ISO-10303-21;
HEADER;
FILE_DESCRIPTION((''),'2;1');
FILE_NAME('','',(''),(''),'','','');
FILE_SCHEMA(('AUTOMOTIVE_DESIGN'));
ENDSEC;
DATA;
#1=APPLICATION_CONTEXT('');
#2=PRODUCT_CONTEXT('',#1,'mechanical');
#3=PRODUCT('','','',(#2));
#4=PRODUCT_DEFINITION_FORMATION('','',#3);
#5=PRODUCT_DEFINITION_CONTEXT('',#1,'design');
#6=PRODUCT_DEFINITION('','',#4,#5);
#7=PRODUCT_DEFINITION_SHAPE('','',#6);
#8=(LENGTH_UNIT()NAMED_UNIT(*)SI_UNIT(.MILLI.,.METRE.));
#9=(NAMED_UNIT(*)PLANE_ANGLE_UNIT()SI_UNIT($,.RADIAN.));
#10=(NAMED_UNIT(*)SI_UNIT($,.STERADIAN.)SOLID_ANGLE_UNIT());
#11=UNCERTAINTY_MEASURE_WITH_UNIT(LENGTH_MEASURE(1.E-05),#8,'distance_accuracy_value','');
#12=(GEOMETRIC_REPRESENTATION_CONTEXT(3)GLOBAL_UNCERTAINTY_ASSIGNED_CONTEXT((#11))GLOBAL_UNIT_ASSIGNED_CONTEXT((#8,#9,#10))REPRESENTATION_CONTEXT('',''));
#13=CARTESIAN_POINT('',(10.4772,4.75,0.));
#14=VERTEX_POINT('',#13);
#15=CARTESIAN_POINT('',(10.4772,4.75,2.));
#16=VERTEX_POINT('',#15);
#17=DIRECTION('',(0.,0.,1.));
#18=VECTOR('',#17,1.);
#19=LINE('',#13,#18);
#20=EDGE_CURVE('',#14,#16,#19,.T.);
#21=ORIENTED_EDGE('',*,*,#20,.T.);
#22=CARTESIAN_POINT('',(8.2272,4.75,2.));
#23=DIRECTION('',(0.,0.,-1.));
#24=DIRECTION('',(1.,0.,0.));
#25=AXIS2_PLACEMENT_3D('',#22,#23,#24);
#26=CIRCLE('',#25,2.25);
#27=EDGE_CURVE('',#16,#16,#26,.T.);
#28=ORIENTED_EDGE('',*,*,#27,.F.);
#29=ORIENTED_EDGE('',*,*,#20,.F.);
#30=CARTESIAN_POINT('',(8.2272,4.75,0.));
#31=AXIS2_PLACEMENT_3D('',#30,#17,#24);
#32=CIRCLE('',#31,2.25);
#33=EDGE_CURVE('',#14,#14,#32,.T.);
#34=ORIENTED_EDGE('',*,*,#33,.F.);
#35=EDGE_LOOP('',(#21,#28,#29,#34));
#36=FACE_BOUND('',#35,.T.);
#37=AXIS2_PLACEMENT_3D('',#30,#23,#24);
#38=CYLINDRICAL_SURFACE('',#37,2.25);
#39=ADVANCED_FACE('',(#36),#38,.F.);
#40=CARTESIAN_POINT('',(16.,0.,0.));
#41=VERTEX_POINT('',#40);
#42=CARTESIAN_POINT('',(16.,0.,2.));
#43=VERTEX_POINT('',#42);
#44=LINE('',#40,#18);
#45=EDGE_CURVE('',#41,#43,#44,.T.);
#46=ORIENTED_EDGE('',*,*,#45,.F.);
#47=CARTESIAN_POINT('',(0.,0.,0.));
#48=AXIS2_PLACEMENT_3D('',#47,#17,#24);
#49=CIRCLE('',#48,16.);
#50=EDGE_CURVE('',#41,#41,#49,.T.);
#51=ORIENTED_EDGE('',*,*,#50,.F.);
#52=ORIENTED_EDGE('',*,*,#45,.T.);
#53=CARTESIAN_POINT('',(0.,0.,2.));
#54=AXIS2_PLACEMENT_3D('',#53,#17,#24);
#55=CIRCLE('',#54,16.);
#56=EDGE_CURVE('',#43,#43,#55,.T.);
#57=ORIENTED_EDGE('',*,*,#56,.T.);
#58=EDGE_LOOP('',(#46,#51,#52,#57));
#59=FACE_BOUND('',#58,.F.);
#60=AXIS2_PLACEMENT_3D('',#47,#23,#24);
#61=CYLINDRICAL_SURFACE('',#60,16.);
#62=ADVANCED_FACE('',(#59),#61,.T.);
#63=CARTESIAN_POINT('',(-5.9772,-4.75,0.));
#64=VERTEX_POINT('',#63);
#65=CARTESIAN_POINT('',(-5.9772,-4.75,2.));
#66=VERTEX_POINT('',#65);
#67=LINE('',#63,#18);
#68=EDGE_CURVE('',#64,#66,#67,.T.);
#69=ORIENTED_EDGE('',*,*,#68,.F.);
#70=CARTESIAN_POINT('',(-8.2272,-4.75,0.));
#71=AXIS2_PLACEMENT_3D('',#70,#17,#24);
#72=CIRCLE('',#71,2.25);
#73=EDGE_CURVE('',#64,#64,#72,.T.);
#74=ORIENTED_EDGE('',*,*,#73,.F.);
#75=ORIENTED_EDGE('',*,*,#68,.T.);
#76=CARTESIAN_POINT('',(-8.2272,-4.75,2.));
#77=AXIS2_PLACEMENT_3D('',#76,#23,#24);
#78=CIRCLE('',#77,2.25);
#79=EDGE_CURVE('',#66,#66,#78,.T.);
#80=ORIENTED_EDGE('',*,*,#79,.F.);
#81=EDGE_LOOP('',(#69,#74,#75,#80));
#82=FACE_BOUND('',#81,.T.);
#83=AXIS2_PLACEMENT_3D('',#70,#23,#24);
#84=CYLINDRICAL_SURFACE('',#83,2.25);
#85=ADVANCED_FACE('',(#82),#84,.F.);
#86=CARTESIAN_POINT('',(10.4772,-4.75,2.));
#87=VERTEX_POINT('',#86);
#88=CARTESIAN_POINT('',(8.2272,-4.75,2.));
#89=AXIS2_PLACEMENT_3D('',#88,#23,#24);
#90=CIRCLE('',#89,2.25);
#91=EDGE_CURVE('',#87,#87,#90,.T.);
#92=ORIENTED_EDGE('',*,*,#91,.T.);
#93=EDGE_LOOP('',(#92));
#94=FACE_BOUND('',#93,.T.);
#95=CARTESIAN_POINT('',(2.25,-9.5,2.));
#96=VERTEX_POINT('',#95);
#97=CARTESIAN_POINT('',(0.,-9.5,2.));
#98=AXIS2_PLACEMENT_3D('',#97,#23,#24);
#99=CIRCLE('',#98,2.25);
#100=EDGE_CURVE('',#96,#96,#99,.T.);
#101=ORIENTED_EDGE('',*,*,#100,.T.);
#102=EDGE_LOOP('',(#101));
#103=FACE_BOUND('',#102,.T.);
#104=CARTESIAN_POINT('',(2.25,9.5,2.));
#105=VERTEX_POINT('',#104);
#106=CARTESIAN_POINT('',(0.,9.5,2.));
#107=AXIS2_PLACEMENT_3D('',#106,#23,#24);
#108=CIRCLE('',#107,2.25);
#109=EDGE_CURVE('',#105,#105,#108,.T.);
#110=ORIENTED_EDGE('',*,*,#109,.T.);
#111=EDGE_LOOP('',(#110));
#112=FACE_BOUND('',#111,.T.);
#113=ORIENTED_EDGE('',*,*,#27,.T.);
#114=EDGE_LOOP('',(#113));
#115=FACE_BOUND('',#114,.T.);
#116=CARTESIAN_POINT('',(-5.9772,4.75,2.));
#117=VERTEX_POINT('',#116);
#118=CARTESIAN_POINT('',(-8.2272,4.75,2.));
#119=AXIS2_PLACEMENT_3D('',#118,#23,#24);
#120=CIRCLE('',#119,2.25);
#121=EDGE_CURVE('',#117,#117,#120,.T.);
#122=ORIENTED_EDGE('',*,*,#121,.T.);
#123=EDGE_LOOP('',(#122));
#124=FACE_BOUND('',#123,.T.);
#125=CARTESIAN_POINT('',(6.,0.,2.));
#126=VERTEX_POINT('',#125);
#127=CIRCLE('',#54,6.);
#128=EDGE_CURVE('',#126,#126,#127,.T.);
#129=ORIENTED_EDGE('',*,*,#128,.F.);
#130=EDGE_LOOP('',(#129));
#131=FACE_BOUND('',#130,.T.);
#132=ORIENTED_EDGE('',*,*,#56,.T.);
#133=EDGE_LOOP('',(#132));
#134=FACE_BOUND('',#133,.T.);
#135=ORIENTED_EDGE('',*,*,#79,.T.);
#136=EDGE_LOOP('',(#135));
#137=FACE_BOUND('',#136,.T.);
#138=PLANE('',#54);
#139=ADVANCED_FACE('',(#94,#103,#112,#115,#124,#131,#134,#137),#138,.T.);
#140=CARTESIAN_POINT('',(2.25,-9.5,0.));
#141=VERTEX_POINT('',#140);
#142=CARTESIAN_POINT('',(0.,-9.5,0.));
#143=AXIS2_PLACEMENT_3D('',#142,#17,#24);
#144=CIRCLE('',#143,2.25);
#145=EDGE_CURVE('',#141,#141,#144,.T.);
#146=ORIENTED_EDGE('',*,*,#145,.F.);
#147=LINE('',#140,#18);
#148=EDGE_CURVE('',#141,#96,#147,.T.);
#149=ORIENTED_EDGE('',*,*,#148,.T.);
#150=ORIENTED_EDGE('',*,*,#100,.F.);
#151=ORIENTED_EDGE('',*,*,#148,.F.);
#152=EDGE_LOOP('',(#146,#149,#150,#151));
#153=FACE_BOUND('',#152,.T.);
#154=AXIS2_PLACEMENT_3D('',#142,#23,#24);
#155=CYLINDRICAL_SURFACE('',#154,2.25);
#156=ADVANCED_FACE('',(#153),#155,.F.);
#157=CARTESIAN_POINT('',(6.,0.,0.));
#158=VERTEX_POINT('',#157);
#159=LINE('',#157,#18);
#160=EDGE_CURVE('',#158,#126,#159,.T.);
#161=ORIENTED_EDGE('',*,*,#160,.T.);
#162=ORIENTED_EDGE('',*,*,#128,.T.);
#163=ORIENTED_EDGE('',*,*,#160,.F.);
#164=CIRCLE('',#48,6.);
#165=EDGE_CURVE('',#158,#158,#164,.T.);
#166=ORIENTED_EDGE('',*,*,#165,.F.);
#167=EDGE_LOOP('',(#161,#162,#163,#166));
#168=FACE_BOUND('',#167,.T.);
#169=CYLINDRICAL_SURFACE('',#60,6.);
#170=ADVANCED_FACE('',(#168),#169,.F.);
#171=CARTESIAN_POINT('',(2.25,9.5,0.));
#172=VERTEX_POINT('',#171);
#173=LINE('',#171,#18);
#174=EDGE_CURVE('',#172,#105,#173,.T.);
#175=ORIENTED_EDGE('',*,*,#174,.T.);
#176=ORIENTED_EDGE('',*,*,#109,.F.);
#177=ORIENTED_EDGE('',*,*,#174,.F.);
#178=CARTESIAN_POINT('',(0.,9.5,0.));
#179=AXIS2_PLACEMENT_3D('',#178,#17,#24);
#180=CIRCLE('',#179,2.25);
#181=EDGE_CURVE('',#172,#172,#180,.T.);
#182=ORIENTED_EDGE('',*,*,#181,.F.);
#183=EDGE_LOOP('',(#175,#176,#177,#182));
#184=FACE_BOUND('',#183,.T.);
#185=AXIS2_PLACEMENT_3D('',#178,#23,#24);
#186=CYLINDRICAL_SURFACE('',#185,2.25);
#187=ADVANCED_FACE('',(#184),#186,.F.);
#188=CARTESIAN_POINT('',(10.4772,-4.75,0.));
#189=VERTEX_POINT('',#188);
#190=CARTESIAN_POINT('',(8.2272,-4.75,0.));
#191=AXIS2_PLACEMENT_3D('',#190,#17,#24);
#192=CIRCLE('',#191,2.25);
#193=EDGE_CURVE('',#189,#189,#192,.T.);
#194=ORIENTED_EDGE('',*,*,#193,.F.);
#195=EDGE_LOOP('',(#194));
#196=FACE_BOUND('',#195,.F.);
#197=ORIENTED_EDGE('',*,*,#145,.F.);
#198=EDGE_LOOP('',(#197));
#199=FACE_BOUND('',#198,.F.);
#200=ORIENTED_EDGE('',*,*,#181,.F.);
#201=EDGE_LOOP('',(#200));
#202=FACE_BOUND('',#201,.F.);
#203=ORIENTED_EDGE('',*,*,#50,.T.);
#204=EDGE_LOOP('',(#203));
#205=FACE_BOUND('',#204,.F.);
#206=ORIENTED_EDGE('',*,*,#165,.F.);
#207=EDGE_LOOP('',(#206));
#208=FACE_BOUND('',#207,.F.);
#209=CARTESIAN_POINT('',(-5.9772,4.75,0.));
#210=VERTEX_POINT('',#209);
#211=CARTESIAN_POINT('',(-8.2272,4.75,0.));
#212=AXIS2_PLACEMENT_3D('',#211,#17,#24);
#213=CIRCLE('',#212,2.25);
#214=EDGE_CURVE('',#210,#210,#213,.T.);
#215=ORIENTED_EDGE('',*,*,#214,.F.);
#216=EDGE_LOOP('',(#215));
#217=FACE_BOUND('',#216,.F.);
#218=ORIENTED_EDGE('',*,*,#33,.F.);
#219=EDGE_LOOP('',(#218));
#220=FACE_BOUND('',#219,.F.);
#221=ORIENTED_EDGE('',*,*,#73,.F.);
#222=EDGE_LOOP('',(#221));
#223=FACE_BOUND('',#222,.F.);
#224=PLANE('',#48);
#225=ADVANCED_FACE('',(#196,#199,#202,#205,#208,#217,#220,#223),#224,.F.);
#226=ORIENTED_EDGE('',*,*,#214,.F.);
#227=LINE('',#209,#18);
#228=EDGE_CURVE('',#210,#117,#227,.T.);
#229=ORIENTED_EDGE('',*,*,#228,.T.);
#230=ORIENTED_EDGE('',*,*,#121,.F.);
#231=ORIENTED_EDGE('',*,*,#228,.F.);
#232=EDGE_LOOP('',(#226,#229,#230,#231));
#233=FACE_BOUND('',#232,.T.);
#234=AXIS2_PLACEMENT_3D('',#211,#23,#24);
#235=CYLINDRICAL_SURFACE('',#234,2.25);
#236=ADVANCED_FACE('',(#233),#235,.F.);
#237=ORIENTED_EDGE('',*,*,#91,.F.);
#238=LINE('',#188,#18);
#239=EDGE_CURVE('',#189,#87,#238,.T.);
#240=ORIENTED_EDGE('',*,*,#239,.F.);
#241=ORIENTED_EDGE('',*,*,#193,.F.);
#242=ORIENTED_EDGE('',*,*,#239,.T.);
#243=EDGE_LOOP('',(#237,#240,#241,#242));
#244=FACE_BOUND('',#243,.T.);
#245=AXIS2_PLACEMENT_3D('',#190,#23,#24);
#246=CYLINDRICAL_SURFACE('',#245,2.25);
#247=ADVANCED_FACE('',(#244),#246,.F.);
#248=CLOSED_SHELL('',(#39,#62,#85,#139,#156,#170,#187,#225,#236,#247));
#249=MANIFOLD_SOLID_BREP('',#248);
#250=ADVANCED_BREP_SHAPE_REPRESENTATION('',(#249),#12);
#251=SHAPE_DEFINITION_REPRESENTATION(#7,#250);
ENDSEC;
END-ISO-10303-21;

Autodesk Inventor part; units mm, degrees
ref_plane "YZ Plane" through (0, 0, 0) normal (1, 0, 0) x (0, 1, 0)
ref_plane "XZ Plane" through (0, 0, 0) normal (0, 1, 0) x (-1, 0, 0)
ref_plane "XY Plane" through (0, 0, 0) normal (0, 0, 1) x (1, 0, 0)
sketch "Sketch1" plane through (0, 0, 0) normal (0, 0, 1) x (1, 0, 0)
  circle A0 centre (0, 0) radius 16
  circle A1 centre (0, 0) radius 9.5
  circle A2 centre (0, 9.5) radius 2.25
  circle A3 centre (-8.2272, 4.75) radius 2.25
  circle A4 centre (-8.2272, -4.75) radius 2.25
  circle A5 centre (0, -9.5) radius 2.25
  circle A6 centre (8.2272, -4.75) radius 2.25
  circle A7 centre (8.2272, 4.75) radius 2.25
  circle A8 centre (0, 0) radius 6
  dimension "d1" = 19
  dimension "d0" = 32
  dimension "d2" = 4.5
  dimension "d5" = 360
  dimension "d7" = 12
extrude "Extrusion1" add sketch "Sketch1" along normal blind 2 contours A0 | A1 A6 A5 A4 A3 A2 A7
properties part number "rotor_hub_retainer"
